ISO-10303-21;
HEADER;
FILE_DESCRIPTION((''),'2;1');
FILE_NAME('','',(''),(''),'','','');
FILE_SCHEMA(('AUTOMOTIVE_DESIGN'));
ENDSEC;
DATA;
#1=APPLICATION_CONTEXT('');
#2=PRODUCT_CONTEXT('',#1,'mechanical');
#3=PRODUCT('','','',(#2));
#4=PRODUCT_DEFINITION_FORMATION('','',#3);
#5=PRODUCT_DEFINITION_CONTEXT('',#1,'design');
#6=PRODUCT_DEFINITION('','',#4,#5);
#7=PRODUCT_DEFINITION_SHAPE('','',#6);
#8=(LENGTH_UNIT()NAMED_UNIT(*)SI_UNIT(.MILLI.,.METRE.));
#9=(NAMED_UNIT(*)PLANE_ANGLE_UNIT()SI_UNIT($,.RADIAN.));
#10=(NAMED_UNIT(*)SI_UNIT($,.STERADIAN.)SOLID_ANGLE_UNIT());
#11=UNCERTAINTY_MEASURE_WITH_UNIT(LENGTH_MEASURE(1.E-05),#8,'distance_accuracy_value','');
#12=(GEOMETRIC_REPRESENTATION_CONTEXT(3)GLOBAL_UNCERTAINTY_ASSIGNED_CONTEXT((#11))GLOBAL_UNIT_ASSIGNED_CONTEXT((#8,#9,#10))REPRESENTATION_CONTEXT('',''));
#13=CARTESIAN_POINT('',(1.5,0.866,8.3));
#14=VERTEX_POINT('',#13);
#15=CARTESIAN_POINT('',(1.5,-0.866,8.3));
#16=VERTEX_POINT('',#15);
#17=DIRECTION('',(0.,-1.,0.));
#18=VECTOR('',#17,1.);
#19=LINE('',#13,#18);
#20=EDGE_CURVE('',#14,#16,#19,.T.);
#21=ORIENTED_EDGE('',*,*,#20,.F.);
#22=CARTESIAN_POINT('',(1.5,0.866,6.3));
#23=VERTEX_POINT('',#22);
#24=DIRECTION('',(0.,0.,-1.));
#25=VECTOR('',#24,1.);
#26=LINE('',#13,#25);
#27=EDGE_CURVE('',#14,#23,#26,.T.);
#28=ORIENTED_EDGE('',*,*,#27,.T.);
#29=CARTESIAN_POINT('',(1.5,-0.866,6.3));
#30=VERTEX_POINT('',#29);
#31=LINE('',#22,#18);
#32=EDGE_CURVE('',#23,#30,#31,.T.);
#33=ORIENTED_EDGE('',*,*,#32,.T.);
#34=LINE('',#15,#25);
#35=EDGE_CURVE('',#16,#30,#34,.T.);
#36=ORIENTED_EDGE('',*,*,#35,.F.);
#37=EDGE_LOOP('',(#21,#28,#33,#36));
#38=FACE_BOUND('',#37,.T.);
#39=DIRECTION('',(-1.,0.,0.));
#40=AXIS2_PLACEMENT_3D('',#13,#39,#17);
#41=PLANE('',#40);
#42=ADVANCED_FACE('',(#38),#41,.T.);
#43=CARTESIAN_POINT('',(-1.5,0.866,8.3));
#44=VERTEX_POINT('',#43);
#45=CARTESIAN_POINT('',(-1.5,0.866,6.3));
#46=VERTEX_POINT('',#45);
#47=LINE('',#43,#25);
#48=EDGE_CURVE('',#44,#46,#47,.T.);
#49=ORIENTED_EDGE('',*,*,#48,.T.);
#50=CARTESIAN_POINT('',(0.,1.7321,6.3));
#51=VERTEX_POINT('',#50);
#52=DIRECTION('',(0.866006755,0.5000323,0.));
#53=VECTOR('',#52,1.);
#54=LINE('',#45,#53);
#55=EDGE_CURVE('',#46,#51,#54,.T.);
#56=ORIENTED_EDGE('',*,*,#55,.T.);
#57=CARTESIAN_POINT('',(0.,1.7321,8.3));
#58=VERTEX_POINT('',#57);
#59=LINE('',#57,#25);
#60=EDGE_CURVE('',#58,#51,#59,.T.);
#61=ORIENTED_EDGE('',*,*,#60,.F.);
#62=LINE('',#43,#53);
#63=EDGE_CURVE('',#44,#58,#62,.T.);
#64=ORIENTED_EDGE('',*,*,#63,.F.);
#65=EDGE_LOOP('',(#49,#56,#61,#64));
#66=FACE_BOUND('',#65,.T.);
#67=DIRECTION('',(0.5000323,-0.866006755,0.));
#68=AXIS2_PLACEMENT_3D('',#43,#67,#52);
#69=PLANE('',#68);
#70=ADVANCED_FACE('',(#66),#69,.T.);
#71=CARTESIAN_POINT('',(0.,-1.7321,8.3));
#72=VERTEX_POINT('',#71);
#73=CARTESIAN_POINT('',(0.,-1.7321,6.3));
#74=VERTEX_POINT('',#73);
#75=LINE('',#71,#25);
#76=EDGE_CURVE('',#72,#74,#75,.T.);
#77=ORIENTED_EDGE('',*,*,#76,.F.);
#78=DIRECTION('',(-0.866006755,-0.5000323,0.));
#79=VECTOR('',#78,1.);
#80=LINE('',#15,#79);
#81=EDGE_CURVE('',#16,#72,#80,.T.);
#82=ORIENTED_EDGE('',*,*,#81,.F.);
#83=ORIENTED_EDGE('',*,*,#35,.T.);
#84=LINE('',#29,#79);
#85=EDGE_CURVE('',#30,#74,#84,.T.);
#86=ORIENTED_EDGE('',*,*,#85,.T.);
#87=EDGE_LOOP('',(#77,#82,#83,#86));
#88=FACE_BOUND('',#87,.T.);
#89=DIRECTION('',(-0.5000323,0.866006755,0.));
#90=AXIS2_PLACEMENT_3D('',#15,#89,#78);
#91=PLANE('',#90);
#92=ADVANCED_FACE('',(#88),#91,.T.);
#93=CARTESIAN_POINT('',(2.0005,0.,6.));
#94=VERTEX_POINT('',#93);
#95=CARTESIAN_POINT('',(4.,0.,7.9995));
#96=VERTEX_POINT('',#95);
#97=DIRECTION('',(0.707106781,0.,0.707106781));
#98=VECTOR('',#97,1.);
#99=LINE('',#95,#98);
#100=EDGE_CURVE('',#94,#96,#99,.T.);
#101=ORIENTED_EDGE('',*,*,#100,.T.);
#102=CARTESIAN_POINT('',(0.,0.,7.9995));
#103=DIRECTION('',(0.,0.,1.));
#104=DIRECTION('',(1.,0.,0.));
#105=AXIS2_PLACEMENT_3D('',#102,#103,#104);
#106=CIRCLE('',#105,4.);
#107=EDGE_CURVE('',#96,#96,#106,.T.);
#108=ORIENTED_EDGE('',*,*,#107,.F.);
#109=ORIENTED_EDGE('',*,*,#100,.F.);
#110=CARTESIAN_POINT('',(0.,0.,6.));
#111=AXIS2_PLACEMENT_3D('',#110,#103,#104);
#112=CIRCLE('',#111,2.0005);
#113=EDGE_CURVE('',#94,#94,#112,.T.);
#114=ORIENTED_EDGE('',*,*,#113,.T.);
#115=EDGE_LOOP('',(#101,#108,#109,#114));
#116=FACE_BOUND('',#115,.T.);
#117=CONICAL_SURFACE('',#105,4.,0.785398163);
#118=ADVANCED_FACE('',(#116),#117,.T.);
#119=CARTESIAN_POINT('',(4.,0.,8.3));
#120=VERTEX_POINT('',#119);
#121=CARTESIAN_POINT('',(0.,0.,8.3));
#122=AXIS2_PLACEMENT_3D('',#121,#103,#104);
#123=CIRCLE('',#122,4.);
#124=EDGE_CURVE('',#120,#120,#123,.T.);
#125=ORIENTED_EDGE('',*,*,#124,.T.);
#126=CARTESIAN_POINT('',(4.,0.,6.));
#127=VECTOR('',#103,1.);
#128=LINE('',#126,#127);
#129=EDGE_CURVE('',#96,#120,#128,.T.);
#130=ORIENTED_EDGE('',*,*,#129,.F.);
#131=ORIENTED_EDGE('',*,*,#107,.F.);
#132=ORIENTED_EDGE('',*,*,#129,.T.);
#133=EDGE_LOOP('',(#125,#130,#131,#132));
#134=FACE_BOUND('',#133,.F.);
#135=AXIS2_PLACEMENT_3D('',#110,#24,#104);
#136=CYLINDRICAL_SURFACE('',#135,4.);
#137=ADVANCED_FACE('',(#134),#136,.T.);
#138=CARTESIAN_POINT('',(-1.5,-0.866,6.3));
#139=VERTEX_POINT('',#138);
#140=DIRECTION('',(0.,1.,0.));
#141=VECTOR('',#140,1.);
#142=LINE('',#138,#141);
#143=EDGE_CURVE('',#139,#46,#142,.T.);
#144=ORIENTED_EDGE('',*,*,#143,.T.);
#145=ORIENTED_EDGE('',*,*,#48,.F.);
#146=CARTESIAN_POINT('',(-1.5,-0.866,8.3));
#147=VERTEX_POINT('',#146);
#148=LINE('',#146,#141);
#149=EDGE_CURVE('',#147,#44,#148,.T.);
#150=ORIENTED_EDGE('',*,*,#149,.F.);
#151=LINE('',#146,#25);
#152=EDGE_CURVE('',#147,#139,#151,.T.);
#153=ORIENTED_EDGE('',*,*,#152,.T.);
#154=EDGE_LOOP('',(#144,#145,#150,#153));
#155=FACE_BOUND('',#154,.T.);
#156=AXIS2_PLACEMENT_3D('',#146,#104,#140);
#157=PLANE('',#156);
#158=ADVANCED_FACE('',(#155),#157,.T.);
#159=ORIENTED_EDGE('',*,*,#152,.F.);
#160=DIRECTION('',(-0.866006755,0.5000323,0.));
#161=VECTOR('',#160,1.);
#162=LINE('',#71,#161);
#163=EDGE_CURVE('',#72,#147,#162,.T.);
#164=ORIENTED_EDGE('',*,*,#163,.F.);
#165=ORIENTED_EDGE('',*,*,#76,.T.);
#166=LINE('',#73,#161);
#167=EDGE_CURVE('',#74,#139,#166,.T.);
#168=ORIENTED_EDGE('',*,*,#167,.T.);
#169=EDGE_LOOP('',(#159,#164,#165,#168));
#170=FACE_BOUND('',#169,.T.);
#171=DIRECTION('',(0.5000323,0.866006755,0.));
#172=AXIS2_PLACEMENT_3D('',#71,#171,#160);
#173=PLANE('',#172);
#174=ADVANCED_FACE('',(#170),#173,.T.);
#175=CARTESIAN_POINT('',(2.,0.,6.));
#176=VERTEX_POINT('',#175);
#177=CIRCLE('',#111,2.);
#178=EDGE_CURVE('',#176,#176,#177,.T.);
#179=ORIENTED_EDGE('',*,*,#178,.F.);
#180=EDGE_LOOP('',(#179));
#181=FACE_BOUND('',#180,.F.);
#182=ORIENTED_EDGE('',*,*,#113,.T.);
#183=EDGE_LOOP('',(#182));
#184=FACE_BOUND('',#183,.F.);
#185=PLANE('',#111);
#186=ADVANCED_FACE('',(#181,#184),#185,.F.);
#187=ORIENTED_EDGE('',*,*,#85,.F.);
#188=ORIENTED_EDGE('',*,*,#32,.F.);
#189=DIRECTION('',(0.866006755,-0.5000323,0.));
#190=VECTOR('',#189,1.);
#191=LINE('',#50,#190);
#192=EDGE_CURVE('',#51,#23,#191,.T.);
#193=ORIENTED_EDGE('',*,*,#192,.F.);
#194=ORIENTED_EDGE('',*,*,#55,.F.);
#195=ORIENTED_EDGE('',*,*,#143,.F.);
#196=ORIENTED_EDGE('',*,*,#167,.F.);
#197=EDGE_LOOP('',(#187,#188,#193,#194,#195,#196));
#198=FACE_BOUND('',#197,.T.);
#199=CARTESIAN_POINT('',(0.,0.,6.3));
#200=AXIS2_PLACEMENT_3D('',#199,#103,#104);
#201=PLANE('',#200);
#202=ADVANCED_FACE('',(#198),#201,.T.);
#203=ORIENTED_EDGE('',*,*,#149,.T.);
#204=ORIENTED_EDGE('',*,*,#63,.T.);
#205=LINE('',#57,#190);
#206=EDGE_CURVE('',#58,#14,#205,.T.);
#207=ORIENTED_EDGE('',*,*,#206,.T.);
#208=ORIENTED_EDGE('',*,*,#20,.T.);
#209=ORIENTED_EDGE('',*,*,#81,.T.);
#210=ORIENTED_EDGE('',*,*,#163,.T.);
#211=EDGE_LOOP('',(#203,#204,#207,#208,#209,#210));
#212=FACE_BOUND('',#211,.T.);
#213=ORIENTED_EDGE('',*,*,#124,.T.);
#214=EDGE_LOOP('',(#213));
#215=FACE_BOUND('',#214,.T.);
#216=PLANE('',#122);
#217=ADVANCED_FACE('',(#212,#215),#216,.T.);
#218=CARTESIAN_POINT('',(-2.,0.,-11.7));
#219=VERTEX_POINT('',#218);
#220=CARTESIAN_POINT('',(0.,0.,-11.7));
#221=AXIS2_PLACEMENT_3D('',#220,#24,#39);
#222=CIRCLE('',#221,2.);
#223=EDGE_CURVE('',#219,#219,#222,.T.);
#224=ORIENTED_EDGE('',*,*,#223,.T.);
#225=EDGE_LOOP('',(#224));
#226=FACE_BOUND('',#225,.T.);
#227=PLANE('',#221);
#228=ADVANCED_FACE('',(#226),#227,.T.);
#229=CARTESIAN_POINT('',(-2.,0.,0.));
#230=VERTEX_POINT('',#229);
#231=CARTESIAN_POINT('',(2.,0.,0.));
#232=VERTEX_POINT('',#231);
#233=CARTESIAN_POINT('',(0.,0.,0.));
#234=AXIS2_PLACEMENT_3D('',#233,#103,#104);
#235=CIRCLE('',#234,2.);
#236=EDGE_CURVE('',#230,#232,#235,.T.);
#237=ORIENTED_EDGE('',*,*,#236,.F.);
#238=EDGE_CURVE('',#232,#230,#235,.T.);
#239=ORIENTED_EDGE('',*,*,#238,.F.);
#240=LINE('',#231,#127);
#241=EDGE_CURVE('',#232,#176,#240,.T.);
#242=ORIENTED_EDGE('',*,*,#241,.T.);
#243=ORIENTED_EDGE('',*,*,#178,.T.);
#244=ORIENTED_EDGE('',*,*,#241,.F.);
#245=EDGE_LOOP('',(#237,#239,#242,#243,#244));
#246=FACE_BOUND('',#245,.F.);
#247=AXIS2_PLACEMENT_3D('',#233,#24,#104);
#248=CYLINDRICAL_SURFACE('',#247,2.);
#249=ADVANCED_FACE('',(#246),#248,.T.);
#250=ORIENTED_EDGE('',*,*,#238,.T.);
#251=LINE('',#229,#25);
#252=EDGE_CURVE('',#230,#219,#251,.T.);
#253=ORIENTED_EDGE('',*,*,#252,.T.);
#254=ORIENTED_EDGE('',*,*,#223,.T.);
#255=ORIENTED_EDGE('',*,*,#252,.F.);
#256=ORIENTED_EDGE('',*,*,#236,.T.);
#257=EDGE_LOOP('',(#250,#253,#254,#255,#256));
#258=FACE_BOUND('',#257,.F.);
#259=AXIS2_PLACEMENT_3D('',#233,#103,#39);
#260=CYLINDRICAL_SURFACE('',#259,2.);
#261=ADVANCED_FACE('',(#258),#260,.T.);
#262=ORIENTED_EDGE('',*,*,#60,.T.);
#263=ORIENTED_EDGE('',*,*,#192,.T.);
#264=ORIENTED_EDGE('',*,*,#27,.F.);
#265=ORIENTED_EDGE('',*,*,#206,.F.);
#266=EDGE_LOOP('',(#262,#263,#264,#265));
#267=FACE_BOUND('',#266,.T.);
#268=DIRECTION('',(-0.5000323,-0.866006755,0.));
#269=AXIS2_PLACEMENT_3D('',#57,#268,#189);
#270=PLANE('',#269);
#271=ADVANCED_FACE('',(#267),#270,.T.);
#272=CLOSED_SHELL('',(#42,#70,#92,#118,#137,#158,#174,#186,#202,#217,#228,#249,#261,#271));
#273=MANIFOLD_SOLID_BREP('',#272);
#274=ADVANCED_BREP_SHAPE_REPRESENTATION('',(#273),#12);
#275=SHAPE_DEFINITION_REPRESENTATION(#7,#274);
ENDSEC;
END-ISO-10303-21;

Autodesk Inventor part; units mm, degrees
ref_plane "YZ Plane" through (0, 0, 0) normal (1, 0, 0) x (0, 1, 0)
ref_plane "XZ Plane" through (0, 0, 0) normal (0, 1, 0) x (-1, 0, 0)
ref_plane "XY Plane" through (0, 0, 0) normal (0, 0, 1) x (1, 0, 0)
sketch "スケッチ1" plane through (0, 0, 0) normal (0, 0, 1) x (1, 0, 0)
  circle A0 centre (0, 0) radius 2
  dimension "d0" = 4
extrude "押し出し1" add sketch "スケッチ1" along normal blind 6
sketch "スケッチ2" plane through (0, 0, 6) normal (0, 0, 1) x (1, 0, 0)
  circle A0 centre (0, 0) radius 2 projected
  circle A1 centre (0, 0) radius 4
  dimension "d3" = 8
extrude "押し出し2" add sketch "スケッチ2" along normal blind 2.3 contours A0 | A1
thread "ねじ1" size "M4x0.7" class "6g" standard "ANSI Metric M Profile" full length
chamfer "面取り1" distance 2 angle 45 1 edges at (-4, 0, 6)
sketch "スケッチ4" plane through (0, 0, 0) normal (0, 0, -1) x (-1, 0, 0)
  circle A0 centre (0, 0) radius 2
extrude "押し出し4" add sketch "スケッチ4" along normal blind 11.7
sketch "スケッチ5" plane through (0, 0, 8.3) normal (0, 0, 1) x (1, 0, 0)
  line L0 (-1.5, 0.866) -> (0, 1.7321)
  line L1 (0, 1.7321) -> (1.5, 0.866)
  line L2 (1.5, 0.866) -> (1.5, -0.866)
  line L3 (1.5, -0.866) -> (0, -1.7321)
  line L4 (0, -1.7321) -> (-1.5, -0.866)
  line L5 (-1.5, -0.866) -> (-1.5, 0.866)
  point P0 (0, 0)
  point P1 (0, 0)
  point P2 (-1.5, 0)
  dimension "d16" = 3
extrude "押し出し5" cut sketch "スケッチ5" against normal blind 2
properties part number "SB　M4 20mm 皿ネジ" material "Stainless Steel, 440C"
